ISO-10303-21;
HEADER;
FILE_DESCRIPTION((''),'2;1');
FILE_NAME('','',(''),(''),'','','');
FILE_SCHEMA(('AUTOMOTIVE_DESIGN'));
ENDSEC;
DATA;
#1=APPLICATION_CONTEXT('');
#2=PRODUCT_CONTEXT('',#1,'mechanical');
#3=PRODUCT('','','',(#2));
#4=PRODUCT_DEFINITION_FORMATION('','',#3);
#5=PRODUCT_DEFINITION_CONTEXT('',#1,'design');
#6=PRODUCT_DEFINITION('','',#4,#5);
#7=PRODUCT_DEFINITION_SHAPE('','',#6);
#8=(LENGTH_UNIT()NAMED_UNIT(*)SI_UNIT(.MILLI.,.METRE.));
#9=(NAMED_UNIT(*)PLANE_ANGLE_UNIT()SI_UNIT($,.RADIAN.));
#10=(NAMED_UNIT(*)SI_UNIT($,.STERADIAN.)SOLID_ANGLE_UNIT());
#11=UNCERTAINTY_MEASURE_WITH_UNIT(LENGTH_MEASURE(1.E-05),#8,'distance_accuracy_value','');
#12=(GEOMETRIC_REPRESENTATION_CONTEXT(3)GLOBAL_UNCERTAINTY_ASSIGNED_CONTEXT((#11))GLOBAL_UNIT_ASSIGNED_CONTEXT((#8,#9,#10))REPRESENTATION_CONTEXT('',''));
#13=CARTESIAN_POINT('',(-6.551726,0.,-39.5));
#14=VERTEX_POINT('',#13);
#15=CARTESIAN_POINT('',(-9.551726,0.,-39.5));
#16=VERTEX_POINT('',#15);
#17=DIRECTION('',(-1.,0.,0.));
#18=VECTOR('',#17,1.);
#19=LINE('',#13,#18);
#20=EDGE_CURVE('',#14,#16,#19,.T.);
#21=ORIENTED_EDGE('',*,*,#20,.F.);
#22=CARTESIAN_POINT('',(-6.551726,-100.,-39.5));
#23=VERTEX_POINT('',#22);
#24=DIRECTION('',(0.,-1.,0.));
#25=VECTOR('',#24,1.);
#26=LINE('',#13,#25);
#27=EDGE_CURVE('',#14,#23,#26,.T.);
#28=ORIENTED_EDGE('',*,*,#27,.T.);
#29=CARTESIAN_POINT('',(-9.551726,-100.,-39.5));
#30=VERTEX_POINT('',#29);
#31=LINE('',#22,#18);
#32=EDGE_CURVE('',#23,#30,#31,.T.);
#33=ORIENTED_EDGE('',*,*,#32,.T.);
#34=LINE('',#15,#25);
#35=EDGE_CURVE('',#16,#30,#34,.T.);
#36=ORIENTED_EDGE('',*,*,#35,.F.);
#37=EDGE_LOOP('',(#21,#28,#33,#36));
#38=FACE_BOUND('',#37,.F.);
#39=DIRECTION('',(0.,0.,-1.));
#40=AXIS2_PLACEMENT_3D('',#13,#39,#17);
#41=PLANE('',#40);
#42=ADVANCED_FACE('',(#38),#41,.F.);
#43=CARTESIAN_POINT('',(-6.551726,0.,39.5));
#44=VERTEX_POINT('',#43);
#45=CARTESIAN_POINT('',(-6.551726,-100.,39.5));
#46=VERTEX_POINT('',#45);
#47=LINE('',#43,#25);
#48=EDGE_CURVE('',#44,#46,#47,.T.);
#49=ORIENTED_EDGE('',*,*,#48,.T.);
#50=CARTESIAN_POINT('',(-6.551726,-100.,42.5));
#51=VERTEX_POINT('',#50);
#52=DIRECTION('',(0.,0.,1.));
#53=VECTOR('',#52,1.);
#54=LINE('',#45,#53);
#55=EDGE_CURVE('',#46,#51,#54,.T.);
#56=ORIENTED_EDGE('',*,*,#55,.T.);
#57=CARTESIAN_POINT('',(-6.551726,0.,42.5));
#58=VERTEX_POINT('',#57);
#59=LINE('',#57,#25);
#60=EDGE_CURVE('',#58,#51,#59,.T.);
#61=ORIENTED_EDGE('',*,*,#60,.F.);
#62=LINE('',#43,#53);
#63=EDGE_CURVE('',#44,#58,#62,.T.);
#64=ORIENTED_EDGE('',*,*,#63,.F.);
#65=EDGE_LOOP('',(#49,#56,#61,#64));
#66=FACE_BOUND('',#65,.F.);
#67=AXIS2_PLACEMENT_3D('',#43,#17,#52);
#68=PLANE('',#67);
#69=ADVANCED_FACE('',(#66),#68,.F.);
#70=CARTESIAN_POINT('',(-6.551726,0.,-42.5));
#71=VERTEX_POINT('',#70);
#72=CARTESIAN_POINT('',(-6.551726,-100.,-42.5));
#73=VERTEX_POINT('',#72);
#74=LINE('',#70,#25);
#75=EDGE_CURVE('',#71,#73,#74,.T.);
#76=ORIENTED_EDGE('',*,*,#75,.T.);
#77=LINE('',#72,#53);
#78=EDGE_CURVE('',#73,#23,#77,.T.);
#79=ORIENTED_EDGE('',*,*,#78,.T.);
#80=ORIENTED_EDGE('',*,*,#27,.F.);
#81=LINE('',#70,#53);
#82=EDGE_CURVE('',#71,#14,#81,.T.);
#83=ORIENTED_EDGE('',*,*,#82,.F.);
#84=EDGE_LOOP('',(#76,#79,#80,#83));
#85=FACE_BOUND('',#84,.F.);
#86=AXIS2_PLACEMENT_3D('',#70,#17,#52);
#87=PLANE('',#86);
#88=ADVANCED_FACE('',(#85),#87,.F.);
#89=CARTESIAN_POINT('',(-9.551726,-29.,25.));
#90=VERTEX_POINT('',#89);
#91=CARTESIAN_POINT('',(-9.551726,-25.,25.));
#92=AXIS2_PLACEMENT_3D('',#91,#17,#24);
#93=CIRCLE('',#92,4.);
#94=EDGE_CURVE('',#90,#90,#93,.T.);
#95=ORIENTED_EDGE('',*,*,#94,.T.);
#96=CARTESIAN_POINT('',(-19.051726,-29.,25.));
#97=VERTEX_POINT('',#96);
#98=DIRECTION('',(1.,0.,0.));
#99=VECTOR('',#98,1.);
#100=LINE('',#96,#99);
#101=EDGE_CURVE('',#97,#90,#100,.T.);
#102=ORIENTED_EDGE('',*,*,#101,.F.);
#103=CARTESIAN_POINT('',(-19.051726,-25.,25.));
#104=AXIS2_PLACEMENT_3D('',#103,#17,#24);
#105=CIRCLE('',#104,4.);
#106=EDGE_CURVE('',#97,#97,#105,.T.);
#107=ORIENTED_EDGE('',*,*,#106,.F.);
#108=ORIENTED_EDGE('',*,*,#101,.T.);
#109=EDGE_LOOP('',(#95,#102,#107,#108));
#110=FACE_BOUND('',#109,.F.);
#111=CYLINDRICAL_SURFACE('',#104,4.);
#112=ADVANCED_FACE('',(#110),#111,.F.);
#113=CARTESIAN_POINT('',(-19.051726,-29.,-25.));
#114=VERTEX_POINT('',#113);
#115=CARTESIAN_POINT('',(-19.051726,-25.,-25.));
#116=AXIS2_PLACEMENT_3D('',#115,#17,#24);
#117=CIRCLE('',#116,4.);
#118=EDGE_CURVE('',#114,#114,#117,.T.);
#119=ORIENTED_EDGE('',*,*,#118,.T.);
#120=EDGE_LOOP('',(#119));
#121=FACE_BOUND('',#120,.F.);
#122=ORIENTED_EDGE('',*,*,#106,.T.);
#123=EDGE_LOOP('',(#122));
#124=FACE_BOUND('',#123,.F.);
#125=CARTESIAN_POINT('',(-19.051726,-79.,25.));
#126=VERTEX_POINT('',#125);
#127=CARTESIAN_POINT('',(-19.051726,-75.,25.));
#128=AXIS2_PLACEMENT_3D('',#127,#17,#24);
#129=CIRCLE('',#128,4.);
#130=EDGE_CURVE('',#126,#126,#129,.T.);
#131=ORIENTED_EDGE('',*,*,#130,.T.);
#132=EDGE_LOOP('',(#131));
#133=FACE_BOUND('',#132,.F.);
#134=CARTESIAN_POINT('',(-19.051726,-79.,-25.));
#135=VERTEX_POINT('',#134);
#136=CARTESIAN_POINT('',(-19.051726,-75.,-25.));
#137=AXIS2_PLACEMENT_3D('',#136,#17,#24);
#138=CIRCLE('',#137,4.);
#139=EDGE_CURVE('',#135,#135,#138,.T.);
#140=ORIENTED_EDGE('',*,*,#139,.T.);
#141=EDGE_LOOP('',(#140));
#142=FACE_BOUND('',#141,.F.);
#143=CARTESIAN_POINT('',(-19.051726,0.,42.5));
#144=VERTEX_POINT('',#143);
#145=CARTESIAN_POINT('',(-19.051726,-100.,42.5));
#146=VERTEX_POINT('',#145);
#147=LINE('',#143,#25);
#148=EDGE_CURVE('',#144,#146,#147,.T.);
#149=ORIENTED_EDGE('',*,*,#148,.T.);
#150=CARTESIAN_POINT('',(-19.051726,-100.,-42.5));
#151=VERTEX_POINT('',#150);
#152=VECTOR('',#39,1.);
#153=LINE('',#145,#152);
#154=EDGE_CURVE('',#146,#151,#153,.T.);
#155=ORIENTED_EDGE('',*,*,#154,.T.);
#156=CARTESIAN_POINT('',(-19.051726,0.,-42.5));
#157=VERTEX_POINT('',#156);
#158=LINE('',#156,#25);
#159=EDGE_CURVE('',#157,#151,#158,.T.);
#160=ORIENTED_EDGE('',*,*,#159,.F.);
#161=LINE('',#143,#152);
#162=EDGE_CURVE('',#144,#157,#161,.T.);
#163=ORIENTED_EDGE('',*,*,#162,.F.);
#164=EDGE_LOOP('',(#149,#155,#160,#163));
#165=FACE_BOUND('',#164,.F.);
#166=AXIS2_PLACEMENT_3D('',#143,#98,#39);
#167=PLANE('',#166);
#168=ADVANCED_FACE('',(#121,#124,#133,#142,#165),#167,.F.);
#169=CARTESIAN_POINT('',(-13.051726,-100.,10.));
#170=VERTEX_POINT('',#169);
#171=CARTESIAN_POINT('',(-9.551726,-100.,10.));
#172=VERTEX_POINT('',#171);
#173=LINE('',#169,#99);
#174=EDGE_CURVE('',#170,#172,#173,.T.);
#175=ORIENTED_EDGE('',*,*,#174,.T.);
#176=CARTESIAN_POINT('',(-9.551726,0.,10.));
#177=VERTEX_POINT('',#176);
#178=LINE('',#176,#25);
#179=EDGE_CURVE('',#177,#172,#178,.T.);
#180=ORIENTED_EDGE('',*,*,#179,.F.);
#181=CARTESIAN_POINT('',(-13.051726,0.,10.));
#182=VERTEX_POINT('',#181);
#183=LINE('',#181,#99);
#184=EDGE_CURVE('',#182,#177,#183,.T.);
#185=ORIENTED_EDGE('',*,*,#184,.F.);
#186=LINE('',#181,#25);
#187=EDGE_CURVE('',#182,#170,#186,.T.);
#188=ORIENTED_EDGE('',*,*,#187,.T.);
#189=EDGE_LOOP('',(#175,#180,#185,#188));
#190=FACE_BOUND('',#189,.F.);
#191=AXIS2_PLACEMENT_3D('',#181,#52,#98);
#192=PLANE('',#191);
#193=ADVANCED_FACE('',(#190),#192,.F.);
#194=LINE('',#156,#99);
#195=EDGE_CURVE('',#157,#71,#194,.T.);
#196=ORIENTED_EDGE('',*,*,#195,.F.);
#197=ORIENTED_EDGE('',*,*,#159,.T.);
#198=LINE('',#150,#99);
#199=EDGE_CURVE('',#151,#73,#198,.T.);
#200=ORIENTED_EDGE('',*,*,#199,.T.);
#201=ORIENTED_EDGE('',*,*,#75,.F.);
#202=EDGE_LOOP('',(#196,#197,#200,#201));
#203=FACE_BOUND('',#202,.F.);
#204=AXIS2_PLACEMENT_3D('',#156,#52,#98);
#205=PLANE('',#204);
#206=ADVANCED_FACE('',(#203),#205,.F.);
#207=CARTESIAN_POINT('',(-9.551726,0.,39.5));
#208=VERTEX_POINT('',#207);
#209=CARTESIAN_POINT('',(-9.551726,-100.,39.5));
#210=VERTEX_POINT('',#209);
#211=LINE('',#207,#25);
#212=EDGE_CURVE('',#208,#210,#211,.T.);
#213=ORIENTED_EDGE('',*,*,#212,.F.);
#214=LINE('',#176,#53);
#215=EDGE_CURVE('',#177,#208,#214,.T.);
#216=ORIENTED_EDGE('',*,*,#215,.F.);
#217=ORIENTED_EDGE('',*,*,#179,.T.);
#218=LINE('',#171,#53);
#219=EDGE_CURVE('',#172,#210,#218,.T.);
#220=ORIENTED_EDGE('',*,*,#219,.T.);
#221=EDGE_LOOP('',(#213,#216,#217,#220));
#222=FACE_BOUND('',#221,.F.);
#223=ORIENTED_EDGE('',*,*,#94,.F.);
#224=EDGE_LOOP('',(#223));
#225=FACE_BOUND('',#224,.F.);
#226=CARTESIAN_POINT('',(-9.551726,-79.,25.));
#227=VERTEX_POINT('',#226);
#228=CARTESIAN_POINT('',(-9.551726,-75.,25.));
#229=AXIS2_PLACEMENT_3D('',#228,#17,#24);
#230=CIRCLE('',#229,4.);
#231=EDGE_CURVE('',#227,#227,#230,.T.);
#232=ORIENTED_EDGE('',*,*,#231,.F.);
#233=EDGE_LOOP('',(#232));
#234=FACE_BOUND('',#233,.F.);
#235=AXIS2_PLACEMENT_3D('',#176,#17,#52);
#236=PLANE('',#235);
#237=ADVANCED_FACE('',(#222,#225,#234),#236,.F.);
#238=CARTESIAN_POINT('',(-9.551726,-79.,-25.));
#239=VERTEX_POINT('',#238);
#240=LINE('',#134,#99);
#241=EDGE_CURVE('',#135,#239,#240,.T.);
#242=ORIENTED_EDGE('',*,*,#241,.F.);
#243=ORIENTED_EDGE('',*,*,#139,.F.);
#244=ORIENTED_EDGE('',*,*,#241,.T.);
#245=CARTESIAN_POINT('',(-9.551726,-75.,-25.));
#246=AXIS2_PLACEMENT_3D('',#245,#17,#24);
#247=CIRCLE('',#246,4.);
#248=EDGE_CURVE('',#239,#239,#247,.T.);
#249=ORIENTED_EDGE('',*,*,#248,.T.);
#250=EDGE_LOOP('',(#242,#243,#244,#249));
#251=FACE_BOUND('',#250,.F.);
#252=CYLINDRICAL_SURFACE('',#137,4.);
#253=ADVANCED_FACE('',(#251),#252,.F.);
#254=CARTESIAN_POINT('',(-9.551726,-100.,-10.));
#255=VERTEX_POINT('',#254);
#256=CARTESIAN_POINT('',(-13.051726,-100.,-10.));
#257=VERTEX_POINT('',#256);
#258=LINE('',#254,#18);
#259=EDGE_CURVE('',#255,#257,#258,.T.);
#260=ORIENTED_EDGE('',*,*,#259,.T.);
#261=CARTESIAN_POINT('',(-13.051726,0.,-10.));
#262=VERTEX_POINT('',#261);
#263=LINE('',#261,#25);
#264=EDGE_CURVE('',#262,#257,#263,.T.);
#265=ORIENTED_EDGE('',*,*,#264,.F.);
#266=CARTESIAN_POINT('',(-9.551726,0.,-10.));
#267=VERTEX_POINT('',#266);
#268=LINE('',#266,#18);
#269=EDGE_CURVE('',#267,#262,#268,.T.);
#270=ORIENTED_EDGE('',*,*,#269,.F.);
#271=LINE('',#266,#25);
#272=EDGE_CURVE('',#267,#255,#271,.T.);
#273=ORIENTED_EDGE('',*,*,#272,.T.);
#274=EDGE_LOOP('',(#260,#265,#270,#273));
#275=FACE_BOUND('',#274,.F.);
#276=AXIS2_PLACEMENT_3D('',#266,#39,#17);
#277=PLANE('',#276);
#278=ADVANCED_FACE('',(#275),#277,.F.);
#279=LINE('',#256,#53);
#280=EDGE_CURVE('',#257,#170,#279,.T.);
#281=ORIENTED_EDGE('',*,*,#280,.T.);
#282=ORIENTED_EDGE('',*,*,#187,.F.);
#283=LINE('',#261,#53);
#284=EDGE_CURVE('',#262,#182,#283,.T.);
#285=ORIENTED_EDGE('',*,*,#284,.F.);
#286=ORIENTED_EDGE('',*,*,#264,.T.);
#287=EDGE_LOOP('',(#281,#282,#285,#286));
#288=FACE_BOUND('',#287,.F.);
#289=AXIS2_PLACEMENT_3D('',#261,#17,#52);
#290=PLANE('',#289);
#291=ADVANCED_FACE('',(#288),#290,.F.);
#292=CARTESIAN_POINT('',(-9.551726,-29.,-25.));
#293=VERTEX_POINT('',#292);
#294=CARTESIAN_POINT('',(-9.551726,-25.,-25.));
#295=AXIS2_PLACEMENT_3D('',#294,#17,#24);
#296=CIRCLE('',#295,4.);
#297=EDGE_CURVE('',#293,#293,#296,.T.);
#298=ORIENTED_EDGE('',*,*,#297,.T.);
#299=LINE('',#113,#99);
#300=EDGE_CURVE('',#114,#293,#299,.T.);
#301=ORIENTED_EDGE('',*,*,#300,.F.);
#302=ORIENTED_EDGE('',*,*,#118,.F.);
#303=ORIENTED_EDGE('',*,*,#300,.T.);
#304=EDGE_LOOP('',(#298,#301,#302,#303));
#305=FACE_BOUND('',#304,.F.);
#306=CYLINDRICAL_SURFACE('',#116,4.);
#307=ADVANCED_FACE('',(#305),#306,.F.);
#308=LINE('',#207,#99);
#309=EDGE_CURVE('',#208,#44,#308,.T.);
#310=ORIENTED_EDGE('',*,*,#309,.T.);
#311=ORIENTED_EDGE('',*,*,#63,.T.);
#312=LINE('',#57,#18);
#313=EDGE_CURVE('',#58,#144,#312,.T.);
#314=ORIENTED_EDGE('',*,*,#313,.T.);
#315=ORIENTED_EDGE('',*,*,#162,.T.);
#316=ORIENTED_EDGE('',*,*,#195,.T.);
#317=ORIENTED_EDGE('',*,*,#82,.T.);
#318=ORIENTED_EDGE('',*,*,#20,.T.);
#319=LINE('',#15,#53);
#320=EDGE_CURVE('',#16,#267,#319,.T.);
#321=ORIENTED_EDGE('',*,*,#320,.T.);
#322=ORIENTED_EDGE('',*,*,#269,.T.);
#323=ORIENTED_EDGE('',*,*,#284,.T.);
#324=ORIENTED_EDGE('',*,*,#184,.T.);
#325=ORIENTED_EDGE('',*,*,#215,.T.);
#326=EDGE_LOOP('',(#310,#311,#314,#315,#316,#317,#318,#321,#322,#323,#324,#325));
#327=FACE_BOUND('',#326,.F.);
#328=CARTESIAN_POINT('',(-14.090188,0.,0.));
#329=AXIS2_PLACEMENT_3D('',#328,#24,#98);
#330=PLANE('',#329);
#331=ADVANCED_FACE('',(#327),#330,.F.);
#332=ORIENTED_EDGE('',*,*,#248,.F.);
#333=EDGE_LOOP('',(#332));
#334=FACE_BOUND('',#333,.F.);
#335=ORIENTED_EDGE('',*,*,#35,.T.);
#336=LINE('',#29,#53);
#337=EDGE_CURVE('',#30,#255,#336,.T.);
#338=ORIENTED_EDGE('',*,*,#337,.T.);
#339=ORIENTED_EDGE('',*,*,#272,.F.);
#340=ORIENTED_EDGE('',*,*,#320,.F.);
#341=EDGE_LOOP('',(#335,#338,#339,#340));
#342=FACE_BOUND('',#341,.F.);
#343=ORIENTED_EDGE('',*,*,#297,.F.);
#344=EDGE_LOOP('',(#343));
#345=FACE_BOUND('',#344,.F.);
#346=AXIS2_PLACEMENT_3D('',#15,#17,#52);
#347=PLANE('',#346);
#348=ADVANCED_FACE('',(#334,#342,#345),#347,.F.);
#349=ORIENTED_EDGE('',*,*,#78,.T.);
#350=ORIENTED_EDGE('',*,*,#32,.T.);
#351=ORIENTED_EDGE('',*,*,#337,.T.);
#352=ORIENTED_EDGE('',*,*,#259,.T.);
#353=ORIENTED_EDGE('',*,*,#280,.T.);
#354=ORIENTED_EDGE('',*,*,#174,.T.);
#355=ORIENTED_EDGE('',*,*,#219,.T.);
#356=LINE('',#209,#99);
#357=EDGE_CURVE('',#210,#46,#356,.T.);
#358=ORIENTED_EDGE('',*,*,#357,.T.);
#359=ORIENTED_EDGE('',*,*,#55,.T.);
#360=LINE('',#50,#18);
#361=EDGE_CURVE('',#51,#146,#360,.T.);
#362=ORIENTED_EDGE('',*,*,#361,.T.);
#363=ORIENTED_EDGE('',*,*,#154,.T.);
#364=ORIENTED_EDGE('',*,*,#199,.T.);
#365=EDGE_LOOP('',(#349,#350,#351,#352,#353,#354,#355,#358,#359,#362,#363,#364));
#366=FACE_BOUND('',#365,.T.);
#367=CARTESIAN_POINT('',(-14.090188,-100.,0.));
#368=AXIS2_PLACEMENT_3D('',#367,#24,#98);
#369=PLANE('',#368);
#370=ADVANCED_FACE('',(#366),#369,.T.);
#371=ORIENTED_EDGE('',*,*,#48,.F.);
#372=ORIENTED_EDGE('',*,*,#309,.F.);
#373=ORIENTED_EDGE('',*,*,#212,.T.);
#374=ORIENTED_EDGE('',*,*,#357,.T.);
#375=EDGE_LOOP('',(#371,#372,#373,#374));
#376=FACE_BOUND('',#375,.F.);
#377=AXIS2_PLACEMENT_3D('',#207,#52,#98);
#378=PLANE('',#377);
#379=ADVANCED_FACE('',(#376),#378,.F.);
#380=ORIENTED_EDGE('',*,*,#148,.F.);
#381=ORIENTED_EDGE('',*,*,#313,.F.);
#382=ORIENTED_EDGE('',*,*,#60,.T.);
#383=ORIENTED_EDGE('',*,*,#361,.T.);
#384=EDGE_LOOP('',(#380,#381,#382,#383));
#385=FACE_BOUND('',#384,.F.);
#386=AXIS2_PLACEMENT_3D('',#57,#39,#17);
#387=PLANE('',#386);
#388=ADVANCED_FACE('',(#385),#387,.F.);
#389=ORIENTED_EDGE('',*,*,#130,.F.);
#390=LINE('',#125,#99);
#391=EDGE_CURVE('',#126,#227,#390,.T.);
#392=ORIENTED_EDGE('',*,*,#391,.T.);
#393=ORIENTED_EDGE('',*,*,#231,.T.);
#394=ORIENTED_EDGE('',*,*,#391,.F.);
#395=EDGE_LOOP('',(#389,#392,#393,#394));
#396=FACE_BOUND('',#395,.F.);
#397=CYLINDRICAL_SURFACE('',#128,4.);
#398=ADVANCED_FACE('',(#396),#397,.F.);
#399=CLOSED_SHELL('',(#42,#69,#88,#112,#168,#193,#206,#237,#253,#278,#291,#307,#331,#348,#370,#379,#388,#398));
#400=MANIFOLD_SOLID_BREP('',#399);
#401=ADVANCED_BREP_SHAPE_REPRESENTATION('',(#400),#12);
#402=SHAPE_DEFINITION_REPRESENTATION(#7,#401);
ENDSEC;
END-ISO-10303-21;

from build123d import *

# Parameters (mm, degrees)
F1_DEPTH = 100
F2_R     = 4
F3_DEPTH = 25


with BuildPart() as f1:
    # F0 (on Front) → F1 (new body)
    with BuildSketch(Plane.XZ):
        Polygon((-6.551726, 42.5), (-19.051726, 42.5), (-19.051726, 0), (-19.051726, -42.5), (-6.551726, -42.5), (-6.551726, -39.5), (-9.551726, -39.5), (-9.551726, -10), (-13.051726, -10), (-13.051726, 0), (-13.051726, 10), (-9.551726, 10), (-9.551726, 39.5), (-6.551726, 39.5), align=None)
    extrude(amount=F1_DEPTH)

    # F2 (on face) → F3 (cut)
    with BuildSketch(Plane(origin=(-19.051726, 0, 0), x_dir=(0, -1, 0), z_dir=(-1, 0, 0))):
        with Locations((25, 25)):
            Circle(F2_R)
        with Locations((75, 25)):
            Circle(F2_R)
        with Locations((25, -25)):
            Circle(F2_R)
        with Locations((75, -25)):
            Circle(F2_R)
    extrude(amount=-F3_DEPTH, mode=Mode.SUBTRACT)


solid = f1.part
